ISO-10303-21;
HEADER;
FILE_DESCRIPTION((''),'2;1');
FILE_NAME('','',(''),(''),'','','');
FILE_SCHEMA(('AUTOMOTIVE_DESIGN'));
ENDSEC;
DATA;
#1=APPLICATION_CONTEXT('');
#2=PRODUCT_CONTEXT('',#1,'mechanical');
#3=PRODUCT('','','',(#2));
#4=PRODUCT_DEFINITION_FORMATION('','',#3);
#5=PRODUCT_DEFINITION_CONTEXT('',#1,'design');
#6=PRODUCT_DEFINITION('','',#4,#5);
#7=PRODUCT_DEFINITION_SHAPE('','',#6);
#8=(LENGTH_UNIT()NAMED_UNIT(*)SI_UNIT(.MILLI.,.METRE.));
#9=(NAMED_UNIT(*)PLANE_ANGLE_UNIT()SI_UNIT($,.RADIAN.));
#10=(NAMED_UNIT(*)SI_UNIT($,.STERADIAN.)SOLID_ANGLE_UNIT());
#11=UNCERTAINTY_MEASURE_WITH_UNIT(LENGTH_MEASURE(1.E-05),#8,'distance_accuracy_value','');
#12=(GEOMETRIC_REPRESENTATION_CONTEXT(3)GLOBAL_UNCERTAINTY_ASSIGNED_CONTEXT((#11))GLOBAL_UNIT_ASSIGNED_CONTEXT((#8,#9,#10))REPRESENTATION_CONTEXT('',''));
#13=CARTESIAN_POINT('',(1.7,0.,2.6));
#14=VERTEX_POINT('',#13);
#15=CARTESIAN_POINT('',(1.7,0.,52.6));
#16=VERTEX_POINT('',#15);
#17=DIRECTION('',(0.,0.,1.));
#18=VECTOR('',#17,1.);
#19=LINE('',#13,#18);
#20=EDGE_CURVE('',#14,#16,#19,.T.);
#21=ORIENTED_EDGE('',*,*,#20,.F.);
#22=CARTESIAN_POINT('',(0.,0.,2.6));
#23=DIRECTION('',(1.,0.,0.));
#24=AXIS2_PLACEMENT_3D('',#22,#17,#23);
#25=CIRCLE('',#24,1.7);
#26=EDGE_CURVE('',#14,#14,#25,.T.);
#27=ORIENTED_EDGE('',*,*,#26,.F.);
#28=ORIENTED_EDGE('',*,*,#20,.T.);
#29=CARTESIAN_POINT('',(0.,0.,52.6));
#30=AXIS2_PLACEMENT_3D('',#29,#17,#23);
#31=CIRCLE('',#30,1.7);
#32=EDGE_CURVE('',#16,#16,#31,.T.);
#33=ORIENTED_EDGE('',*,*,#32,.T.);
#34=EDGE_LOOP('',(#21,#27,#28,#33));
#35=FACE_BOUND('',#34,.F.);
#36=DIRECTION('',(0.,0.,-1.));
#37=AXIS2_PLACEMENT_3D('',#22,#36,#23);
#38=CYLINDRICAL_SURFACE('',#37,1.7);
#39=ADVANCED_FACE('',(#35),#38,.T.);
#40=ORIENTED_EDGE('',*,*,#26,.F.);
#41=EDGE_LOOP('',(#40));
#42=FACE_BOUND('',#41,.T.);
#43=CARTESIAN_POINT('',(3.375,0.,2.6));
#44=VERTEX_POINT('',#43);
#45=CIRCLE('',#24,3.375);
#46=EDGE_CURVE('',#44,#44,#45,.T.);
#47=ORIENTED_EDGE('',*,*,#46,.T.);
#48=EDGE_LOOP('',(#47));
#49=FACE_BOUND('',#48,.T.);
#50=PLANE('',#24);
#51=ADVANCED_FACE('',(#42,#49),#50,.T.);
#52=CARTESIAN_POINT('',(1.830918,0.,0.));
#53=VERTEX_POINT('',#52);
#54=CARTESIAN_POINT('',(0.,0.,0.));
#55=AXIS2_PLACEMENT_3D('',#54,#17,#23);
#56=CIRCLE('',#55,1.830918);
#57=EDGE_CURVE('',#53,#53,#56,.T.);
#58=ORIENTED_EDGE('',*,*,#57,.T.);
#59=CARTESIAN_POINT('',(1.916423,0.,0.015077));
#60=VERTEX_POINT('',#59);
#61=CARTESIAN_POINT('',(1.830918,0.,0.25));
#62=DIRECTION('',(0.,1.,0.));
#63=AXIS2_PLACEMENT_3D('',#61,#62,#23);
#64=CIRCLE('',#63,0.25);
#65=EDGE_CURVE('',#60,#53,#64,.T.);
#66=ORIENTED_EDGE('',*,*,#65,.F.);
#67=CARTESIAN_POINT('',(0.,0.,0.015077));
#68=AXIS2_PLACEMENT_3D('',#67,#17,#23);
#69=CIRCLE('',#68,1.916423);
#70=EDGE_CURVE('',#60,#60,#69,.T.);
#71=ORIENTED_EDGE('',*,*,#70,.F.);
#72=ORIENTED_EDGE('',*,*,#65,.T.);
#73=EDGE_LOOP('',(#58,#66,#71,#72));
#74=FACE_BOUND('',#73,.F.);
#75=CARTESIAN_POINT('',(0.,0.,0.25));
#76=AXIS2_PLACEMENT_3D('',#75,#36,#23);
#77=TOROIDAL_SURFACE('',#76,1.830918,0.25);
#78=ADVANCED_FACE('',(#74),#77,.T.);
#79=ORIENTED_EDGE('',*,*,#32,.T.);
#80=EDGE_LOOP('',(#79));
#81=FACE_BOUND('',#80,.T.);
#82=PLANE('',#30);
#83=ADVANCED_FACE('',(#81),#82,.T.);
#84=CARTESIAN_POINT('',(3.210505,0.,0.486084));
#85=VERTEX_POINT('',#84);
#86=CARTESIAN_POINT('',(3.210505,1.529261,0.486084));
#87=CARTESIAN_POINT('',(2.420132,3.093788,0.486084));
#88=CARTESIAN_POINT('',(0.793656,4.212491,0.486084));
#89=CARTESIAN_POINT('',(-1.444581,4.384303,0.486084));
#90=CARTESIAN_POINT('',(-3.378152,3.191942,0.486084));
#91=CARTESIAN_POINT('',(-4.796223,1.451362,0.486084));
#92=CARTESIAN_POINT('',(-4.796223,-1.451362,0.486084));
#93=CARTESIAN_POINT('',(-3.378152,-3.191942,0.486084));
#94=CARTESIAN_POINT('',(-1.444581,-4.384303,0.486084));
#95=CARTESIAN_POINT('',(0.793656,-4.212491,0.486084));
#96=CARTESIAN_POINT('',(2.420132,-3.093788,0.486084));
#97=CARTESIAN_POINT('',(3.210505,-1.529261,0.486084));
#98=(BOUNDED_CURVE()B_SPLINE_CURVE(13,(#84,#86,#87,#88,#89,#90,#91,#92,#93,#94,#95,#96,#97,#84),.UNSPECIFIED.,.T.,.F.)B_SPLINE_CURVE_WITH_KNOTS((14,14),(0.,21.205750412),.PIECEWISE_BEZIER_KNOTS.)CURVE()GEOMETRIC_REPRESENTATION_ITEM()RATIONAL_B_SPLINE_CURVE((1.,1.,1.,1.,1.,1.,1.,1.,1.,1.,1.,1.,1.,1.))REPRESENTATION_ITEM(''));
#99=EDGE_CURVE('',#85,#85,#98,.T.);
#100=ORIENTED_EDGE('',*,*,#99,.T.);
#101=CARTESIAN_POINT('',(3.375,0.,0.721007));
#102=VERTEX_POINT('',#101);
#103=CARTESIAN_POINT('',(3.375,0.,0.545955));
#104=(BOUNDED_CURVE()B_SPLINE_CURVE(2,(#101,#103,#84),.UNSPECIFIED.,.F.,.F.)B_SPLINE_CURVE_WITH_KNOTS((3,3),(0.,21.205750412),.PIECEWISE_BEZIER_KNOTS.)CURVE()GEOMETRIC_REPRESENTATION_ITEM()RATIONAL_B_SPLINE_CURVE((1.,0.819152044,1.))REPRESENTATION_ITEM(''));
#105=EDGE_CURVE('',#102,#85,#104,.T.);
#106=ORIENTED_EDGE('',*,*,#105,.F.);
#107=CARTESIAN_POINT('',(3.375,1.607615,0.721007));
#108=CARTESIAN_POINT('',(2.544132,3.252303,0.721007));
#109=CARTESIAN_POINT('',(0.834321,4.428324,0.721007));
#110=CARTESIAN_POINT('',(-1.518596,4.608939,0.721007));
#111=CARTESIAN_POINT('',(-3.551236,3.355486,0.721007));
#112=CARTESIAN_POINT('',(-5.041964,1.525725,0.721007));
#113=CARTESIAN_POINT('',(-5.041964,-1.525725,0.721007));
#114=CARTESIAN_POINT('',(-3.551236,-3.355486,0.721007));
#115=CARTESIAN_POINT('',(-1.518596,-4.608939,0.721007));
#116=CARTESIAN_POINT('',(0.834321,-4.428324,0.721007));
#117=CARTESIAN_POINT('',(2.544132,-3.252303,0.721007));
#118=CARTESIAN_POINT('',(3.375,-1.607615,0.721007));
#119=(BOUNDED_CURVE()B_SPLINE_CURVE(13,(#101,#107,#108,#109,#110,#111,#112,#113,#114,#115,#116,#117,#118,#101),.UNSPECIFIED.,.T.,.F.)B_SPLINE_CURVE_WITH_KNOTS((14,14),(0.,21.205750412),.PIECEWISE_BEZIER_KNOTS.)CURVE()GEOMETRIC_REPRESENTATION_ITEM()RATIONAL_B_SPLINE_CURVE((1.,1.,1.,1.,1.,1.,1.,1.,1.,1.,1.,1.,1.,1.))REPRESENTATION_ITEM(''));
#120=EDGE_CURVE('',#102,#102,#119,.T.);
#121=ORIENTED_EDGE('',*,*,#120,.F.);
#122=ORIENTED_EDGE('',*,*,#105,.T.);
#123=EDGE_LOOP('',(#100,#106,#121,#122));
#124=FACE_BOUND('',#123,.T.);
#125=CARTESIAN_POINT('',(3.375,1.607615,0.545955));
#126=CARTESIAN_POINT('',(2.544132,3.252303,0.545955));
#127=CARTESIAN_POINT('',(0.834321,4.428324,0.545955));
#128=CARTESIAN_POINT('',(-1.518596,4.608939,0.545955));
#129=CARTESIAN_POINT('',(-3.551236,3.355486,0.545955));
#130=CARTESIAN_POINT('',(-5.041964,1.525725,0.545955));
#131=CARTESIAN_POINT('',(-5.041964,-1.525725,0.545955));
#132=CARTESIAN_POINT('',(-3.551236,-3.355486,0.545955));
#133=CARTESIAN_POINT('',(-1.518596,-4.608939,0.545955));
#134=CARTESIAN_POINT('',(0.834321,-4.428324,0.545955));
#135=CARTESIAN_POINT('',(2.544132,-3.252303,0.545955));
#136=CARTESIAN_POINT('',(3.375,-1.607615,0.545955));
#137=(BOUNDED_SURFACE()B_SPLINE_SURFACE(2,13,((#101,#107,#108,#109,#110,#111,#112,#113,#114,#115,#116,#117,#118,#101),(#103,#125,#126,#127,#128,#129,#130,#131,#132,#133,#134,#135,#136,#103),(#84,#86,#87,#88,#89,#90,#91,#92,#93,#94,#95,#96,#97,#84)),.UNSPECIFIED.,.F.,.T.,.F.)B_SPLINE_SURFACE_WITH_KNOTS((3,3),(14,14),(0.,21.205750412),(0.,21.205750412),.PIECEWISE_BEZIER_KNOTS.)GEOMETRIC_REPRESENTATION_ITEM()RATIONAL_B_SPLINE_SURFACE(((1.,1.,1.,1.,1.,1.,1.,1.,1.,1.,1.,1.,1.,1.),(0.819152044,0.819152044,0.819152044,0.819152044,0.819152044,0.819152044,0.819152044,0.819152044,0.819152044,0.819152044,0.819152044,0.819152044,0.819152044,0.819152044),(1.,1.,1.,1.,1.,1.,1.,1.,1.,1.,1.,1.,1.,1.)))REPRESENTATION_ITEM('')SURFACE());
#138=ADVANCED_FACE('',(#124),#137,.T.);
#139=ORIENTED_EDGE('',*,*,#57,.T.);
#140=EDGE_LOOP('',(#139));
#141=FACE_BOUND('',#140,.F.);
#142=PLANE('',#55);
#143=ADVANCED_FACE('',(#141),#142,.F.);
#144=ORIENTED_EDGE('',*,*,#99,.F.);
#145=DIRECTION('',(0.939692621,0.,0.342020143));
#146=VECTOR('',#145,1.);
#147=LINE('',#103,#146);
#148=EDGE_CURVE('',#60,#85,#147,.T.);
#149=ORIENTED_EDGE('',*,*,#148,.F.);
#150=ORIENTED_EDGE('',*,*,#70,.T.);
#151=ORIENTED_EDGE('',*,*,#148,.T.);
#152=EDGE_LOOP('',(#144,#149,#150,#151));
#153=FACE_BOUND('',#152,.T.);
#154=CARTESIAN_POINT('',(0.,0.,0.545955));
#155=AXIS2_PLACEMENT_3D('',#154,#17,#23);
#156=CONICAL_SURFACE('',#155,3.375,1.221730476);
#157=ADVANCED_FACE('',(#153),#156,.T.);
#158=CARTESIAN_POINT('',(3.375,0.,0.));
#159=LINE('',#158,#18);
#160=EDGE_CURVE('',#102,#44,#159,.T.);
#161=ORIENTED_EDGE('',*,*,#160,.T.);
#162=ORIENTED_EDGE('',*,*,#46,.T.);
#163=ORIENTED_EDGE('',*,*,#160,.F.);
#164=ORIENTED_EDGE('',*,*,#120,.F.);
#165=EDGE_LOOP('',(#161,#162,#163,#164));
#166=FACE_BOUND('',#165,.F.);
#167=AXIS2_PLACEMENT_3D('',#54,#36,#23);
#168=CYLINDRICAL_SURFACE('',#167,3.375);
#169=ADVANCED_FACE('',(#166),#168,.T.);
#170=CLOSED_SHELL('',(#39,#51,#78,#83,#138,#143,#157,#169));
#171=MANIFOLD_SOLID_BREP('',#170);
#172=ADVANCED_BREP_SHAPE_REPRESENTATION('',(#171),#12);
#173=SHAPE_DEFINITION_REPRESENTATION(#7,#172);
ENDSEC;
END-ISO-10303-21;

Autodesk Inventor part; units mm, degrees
ref_plane "YZ Plane" through (0, 0, 0) normal (1, 0, 0) x (0, 1, 0)
ref_plane "XZ Plane" through (0, 0, 0) normal (0, 1, 0) x (-1, 0, 0)
ref_plane "XY Plane" through (0, 0, 0) normal (0, 0, 1) x (1, 0, 0)
sketch "Sketch1" plane through (0, 0, 0) normal (0, 0, 1) x (1, 0, 0)
  circle A0 centre (0, 0) radius 3.375
  dimension "d0" = 6.75
extrude "Extrusion1" add sketch "Sketch1" along normal blind 2.6
sketch "Sketch2" plane through (0, 0, 2.6) normal (0, 0, 1) x (1, 0, 0)
  circle A0 centre (0, 0) radius 1.7
  dimension "d3" = 3.4
extrude "Extrusion2" add sketch "Sketch2" along normal blind 50
thread "Thread1" size "M3.5x0.6" class "6g" standard "ANSI Metric M Profile" full length
chamfer "Chamfer1" distance 1.5 angle 20 1 edges at (-3.375, 0, 0) measured on face at (1.1885, -0.5228, 0)
fillet "Fillet1" radius 0.25 2 edges at (-3.375, 0, 0.546) (-1.875, 0, 0)
properties part number "6-32_Bolt"
